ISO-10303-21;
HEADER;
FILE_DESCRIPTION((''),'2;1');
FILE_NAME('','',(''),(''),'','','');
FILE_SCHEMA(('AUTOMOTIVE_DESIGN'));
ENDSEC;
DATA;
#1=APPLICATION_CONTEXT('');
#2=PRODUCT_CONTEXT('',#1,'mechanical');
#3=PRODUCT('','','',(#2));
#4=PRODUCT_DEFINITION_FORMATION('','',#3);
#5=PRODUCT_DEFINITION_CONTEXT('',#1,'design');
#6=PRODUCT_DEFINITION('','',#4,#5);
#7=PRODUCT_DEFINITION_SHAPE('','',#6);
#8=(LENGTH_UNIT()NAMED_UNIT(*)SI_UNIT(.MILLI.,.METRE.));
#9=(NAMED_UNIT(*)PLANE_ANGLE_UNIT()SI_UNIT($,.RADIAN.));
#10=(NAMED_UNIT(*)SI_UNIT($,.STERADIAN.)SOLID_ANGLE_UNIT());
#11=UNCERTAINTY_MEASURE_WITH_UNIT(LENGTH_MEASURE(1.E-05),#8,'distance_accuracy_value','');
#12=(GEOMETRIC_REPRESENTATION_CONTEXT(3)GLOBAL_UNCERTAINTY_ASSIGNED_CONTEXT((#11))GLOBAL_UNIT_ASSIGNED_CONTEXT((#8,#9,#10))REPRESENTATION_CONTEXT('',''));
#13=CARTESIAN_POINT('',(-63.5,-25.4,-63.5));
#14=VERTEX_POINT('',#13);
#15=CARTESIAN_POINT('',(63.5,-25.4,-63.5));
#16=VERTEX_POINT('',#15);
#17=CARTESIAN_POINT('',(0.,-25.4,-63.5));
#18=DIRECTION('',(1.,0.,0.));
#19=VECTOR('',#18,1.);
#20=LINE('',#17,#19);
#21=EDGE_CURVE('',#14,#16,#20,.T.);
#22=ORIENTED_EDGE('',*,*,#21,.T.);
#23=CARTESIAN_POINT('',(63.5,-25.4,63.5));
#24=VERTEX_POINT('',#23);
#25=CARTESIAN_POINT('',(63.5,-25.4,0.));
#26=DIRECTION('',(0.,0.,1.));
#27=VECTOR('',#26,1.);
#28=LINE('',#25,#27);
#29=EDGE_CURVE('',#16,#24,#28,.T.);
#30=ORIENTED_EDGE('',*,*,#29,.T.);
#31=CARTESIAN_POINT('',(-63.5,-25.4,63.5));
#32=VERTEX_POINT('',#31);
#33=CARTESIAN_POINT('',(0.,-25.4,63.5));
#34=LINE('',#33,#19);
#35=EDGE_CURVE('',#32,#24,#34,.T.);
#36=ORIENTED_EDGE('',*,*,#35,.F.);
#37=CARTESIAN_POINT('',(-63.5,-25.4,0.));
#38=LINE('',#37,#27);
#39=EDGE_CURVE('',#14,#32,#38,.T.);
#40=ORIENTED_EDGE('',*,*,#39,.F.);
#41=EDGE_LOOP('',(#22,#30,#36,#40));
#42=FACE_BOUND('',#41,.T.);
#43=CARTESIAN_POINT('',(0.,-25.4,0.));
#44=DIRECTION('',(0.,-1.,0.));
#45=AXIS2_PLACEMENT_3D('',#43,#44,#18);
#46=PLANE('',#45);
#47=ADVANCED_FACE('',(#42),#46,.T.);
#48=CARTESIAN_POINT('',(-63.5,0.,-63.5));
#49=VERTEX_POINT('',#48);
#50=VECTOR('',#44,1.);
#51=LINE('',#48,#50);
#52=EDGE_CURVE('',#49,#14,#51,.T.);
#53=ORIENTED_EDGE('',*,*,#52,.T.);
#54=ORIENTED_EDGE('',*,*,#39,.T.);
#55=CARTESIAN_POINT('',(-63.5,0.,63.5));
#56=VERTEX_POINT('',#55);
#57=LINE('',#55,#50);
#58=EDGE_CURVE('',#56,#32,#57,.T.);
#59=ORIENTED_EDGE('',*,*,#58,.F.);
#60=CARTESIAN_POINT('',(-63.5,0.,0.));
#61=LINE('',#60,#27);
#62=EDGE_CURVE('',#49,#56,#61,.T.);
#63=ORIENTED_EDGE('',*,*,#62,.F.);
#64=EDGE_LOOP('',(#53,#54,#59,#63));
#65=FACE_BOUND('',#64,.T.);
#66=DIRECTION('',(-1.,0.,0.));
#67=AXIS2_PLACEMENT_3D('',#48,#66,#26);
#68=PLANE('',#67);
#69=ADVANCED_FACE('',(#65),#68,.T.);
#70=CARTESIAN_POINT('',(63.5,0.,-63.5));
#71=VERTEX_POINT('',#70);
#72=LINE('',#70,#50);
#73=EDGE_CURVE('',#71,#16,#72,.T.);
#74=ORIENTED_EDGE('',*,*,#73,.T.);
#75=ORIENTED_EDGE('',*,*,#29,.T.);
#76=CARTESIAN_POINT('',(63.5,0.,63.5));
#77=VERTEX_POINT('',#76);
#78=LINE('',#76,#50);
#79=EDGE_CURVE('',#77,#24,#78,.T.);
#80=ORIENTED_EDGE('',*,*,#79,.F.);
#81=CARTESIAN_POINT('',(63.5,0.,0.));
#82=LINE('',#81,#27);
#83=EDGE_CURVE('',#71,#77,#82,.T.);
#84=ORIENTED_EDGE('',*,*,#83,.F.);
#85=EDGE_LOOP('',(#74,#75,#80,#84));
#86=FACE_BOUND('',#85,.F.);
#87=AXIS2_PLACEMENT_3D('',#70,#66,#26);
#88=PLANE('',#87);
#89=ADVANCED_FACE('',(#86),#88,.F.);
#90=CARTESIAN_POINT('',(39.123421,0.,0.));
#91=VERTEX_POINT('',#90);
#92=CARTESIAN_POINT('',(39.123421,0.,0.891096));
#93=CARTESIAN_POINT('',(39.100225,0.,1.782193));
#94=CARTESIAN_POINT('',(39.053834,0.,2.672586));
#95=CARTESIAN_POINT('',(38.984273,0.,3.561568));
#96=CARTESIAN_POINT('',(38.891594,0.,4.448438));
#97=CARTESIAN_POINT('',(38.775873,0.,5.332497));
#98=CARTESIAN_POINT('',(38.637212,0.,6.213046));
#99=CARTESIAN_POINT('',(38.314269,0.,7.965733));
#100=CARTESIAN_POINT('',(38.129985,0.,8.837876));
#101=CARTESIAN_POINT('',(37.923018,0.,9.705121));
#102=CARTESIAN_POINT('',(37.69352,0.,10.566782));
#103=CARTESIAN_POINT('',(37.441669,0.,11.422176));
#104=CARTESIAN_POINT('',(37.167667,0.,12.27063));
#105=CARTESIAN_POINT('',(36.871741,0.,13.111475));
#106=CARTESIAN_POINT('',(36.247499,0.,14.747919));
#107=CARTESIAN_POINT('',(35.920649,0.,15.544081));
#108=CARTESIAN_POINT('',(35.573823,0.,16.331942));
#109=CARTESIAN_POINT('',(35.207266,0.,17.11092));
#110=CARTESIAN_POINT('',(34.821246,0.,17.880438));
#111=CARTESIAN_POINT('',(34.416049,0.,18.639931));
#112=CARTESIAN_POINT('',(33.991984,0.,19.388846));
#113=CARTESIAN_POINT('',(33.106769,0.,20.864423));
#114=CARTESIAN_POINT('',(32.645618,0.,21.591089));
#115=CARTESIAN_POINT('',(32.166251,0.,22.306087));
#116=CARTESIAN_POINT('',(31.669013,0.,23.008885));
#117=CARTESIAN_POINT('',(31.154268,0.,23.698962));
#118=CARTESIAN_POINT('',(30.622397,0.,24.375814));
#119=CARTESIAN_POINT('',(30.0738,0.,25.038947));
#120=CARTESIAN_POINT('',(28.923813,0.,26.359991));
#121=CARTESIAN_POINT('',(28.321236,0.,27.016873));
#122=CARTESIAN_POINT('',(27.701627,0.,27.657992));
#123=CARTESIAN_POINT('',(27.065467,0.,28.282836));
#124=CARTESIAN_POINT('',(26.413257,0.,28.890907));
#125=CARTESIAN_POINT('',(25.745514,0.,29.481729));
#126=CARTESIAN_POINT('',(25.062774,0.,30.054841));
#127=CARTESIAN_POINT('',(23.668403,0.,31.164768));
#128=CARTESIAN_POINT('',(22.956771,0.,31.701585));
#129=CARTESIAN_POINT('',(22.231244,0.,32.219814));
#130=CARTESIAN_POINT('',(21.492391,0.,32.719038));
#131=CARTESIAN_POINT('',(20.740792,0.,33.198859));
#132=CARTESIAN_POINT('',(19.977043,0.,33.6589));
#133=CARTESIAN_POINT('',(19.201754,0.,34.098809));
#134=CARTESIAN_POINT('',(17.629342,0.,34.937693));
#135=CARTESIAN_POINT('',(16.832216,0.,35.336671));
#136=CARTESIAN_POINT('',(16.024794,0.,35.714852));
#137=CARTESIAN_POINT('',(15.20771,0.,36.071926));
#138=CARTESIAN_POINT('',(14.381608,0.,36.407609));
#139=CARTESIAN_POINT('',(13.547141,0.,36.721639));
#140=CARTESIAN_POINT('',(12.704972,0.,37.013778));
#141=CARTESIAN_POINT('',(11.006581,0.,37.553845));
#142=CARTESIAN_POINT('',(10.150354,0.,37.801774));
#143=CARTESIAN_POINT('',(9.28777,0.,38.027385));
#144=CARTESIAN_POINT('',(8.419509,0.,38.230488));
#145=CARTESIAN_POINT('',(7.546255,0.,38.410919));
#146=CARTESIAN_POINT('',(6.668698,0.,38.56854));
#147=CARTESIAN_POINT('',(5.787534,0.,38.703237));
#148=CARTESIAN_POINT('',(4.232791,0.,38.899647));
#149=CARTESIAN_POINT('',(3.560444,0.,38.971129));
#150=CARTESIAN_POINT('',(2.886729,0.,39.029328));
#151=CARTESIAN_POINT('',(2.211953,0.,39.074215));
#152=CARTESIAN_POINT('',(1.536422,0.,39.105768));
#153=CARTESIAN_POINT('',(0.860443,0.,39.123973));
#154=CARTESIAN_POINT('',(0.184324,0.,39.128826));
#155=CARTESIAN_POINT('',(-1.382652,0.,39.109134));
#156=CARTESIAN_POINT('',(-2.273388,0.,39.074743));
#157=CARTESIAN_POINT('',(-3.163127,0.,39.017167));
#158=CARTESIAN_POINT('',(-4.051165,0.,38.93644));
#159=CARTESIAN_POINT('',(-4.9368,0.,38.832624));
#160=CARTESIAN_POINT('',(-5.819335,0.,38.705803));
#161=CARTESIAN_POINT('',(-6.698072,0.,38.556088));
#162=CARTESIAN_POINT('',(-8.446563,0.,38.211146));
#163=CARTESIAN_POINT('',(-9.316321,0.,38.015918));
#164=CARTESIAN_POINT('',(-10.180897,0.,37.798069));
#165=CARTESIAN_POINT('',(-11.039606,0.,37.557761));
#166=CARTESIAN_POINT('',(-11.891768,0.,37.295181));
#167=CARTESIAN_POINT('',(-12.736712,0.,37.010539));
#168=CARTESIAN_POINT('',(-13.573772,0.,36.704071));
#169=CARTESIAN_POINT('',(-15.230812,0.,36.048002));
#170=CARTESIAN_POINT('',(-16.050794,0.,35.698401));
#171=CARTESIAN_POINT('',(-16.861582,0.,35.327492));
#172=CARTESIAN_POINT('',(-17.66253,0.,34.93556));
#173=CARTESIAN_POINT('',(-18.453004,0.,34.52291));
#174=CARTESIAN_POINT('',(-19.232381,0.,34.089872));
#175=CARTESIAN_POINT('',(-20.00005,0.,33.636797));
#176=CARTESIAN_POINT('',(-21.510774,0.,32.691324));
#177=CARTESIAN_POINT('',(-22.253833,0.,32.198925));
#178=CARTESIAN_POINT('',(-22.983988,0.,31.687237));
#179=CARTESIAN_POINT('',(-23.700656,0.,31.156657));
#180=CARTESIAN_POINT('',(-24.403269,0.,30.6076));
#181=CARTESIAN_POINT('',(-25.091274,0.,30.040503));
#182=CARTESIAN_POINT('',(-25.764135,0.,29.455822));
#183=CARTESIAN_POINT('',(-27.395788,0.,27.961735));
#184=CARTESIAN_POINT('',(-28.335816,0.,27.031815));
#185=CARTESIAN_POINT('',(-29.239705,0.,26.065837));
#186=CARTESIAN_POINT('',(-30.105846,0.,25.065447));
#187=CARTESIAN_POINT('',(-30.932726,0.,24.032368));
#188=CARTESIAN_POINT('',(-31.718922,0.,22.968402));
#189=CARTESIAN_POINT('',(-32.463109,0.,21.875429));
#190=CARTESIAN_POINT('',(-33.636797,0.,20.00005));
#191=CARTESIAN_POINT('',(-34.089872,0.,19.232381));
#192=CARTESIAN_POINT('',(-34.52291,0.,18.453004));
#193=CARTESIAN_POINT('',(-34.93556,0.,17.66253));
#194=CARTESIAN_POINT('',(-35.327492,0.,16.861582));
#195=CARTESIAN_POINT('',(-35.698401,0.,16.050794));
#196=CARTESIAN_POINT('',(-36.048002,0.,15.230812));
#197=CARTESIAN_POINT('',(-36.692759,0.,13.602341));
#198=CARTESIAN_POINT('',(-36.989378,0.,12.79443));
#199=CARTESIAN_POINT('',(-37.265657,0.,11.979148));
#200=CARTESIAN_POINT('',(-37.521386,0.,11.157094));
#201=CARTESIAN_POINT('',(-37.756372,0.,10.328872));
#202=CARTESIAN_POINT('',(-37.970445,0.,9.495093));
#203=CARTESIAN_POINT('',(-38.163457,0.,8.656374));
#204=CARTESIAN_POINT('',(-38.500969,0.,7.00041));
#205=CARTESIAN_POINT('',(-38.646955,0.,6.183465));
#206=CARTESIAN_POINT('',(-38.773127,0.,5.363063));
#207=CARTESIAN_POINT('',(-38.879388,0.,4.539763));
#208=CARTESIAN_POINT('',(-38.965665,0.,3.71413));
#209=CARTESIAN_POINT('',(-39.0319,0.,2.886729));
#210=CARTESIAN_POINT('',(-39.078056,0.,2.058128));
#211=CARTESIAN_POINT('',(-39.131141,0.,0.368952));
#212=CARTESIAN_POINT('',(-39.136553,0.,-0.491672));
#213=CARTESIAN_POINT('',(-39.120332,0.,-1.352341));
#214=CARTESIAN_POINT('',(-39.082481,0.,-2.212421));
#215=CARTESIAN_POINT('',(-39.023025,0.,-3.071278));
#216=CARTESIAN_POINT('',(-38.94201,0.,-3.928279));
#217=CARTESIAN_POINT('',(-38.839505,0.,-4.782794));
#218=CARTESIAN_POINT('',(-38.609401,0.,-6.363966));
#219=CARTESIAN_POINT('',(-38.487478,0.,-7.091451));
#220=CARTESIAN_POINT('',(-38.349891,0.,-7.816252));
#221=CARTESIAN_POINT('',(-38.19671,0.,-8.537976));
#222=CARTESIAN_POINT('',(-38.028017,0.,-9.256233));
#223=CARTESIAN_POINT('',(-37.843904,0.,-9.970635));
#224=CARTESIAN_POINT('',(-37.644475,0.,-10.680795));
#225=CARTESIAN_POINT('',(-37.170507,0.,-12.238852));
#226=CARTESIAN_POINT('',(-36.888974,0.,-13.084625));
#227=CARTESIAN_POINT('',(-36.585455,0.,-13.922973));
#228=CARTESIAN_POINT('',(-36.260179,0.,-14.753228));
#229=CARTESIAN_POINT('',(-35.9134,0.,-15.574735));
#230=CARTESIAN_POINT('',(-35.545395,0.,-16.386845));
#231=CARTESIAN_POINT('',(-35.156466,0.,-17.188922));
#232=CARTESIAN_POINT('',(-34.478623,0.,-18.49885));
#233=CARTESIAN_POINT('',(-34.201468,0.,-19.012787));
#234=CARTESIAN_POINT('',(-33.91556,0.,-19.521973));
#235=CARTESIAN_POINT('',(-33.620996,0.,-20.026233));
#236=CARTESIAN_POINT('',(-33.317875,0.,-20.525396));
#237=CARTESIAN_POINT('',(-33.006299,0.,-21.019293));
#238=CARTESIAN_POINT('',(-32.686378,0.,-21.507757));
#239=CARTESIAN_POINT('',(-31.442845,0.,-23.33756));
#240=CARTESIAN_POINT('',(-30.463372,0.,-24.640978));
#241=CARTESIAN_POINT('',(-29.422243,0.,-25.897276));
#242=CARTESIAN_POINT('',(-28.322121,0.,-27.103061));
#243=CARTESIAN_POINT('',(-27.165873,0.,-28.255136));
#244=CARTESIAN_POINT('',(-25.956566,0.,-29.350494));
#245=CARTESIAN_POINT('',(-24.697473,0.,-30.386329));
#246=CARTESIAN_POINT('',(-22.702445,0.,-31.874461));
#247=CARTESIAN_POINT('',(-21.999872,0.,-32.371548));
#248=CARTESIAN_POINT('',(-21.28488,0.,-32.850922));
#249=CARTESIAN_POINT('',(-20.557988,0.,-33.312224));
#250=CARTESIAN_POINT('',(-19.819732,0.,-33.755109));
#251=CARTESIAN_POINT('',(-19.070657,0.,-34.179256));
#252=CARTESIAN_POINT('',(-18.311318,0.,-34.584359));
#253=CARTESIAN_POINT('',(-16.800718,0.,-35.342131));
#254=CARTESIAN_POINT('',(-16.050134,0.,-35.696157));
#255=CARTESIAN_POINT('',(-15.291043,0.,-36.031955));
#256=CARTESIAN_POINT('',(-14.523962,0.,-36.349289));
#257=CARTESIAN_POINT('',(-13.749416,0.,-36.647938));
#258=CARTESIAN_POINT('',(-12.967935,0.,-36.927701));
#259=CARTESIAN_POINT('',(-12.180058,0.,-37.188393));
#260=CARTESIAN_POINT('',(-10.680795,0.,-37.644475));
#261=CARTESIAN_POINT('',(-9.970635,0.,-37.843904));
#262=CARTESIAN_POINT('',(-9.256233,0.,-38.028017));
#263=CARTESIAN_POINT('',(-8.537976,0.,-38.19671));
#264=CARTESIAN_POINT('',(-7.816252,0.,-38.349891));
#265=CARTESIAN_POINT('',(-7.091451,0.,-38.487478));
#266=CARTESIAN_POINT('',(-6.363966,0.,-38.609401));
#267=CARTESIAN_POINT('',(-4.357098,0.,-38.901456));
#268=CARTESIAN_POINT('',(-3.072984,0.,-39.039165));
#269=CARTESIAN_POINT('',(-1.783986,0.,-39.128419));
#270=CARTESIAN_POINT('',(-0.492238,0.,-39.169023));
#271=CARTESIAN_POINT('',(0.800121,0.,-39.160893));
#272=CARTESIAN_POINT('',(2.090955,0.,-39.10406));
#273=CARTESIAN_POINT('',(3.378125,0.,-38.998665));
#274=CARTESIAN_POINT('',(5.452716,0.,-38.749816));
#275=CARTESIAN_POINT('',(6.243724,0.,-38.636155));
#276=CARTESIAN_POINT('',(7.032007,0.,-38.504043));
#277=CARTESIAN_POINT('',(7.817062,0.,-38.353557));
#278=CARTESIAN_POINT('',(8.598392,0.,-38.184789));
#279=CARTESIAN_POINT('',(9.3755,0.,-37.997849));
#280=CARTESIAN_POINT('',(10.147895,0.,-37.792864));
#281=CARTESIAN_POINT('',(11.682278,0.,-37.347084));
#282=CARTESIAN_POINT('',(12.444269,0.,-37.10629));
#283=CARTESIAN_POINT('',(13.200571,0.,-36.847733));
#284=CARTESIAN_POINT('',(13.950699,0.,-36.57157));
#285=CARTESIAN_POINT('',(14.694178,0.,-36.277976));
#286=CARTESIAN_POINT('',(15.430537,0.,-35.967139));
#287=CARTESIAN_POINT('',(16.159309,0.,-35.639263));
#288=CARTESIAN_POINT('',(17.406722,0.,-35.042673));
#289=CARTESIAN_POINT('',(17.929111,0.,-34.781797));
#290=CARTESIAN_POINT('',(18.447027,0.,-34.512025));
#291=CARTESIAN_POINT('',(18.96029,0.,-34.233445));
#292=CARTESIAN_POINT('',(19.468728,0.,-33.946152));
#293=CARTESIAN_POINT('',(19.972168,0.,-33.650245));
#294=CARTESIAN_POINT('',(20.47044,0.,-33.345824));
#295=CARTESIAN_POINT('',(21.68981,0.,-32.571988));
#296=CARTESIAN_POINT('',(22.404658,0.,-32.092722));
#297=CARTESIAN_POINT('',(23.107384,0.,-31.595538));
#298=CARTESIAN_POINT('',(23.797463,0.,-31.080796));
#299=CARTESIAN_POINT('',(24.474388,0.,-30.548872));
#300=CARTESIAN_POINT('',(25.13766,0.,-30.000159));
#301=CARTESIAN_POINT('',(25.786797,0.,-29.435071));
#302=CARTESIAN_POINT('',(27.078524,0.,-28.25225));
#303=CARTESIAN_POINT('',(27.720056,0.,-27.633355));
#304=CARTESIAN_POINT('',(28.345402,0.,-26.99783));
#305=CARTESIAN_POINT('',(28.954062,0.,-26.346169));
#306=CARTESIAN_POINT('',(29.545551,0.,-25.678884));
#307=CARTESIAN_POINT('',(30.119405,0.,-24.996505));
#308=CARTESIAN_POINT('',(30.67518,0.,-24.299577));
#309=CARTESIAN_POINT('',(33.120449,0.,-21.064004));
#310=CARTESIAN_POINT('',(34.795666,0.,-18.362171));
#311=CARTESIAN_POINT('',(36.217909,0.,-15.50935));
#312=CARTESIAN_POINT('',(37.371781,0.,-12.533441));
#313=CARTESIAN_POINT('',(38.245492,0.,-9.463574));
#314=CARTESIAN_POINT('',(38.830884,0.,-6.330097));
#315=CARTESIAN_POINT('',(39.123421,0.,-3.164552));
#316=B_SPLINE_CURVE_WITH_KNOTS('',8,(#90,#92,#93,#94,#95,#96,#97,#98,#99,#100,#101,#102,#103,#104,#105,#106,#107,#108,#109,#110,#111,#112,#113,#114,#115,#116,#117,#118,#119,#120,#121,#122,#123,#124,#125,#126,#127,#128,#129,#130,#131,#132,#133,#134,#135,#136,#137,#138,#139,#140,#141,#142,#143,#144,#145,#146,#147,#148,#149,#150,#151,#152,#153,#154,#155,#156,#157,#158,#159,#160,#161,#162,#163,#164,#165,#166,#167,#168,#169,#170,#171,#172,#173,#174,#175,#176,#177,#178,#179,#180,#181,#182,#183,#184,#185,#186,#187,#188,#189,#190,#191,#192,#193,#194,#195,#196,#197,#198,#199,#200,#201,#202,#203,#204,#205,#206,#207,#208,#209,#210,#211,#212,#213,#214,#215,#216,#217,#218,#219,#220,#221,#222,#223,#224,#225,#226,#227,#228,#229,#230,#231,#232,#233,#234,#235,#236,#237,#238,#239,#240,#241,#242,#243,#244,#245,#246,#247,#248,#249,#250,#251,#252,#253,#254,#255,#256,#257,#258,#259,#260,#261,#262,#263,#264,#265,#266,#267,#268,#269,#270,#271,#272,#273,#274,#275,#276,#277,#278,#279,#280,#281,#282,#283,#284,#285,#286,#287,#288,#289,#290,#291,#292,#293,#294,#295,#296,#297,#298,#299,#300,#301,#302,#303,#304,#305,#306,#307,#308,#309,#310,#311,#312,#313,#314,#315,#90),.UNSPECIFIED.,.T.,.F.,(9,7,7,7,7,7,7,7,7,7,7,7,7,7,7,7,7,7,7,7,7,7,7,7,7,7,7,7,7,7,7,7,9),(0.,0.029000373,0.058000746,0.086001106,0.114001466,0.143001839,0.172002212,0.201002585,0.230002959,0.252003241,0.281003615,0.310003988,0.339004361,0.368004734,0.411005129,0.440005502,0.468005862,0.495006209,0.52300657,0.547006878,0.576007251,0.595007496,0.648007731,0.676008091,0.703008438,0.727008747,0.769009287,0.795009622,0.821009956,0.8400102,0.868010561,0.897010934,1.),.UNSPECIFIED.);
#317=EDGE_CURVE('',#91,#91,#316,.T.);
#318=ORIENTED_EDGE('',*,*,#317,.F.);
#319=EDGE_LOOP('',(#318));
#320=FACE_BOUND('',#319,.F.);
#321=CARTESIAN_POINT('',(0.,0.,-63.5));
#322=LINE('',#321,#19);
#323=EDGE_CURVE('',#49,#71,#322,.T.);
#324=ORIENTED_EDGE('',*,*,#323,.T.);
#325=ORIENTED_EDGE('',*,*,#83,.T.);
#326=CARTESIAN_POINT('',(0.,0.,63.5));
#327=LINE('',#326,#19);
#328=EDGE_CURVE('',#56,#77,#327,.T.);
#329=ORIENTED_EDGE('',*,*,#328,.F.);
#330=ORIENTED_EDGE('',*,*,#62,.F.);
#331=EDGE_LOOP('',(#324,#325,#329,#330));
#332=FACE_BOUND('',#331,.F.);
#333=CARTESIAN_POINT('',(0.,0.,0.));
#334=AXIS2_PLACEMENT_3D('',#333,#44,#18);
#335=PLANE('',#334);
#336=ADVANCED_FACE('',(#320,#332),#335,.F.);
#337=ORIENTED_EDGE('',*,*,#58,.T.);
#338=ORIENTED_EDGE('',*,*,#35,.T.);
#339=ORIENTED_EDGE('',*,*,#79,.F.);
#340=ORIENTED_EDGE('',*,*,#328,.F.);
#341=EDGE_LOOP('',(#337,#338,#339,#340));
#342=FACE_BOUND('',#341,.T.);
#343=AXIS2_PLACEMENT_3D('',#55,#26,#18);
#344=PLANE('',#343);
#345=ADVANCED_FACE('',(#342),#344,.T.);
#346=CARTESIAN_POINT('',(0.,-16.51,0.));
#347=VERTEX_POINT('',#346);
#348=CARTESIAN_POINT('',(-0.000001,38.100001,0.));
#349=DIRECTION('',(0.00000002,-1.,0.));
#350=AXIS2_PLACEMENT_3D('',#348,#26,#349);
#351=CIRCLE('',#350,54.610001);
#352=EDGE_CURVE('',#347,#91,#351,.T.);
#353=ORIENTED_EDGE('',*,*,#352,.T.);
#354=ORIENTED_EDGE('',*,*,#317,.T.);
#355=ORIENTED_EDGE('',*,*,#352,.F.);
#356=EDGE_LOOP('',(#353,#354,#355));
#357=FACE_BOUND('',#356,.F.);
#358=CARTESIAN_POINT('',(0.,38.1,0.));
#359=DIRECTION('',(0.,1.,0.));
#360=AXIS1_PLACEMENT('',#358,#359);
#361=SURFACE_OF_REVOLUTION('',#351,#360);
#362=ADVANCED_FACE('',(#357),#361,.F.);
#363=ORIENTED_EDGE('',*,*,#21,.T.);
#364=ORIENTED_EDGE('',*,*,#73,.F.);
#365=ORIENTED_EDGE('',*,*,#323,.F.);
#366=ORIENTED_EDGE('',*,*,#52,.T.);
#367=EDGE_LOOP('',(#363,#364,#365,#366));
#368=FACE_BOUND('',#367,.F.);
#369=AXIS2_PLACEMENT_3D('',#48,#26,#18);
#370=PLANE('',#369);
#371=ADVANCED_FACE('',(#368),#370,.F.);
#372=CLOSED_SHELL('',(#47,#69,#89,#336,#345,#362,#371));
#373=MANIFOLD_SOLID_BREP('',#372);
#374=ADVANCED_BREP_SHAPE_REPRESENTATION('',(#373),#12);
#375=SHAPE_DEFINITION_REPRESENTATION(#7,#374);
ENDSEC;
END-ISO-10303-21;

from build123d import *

# Parameters (mm, degrees)
F0_W     = 127
F0_H     = 127
F1_DEPTH = 25.4


with BuildPart() as f1:
    # F0 (on Front) → F1 (new body)
    with BuildSketch(Plane.XZ):
        Rectangle(F0_W, F0_H)
    extrude(amount=F1_DEPTH)

    # F2 (on Top) → F3 (revolve, cut)
    with BuildSketch(Plane.XY):
        with BuildLine():
            ThreePointArc((0, -16.51), (38.615101, -0.515101), (54.61, 38.1))
            ThreePointArc((54.61, 38.1), (38.615101, 76.715101), (0, 92.71))
            Line((0, 92.71), (0, -16.51))
        make_face()
    revolve(axis=Axis((0, 38.1, 0), (0, 1, 0)), mode=Mode.SUBTRACT)


solid = f1.part
